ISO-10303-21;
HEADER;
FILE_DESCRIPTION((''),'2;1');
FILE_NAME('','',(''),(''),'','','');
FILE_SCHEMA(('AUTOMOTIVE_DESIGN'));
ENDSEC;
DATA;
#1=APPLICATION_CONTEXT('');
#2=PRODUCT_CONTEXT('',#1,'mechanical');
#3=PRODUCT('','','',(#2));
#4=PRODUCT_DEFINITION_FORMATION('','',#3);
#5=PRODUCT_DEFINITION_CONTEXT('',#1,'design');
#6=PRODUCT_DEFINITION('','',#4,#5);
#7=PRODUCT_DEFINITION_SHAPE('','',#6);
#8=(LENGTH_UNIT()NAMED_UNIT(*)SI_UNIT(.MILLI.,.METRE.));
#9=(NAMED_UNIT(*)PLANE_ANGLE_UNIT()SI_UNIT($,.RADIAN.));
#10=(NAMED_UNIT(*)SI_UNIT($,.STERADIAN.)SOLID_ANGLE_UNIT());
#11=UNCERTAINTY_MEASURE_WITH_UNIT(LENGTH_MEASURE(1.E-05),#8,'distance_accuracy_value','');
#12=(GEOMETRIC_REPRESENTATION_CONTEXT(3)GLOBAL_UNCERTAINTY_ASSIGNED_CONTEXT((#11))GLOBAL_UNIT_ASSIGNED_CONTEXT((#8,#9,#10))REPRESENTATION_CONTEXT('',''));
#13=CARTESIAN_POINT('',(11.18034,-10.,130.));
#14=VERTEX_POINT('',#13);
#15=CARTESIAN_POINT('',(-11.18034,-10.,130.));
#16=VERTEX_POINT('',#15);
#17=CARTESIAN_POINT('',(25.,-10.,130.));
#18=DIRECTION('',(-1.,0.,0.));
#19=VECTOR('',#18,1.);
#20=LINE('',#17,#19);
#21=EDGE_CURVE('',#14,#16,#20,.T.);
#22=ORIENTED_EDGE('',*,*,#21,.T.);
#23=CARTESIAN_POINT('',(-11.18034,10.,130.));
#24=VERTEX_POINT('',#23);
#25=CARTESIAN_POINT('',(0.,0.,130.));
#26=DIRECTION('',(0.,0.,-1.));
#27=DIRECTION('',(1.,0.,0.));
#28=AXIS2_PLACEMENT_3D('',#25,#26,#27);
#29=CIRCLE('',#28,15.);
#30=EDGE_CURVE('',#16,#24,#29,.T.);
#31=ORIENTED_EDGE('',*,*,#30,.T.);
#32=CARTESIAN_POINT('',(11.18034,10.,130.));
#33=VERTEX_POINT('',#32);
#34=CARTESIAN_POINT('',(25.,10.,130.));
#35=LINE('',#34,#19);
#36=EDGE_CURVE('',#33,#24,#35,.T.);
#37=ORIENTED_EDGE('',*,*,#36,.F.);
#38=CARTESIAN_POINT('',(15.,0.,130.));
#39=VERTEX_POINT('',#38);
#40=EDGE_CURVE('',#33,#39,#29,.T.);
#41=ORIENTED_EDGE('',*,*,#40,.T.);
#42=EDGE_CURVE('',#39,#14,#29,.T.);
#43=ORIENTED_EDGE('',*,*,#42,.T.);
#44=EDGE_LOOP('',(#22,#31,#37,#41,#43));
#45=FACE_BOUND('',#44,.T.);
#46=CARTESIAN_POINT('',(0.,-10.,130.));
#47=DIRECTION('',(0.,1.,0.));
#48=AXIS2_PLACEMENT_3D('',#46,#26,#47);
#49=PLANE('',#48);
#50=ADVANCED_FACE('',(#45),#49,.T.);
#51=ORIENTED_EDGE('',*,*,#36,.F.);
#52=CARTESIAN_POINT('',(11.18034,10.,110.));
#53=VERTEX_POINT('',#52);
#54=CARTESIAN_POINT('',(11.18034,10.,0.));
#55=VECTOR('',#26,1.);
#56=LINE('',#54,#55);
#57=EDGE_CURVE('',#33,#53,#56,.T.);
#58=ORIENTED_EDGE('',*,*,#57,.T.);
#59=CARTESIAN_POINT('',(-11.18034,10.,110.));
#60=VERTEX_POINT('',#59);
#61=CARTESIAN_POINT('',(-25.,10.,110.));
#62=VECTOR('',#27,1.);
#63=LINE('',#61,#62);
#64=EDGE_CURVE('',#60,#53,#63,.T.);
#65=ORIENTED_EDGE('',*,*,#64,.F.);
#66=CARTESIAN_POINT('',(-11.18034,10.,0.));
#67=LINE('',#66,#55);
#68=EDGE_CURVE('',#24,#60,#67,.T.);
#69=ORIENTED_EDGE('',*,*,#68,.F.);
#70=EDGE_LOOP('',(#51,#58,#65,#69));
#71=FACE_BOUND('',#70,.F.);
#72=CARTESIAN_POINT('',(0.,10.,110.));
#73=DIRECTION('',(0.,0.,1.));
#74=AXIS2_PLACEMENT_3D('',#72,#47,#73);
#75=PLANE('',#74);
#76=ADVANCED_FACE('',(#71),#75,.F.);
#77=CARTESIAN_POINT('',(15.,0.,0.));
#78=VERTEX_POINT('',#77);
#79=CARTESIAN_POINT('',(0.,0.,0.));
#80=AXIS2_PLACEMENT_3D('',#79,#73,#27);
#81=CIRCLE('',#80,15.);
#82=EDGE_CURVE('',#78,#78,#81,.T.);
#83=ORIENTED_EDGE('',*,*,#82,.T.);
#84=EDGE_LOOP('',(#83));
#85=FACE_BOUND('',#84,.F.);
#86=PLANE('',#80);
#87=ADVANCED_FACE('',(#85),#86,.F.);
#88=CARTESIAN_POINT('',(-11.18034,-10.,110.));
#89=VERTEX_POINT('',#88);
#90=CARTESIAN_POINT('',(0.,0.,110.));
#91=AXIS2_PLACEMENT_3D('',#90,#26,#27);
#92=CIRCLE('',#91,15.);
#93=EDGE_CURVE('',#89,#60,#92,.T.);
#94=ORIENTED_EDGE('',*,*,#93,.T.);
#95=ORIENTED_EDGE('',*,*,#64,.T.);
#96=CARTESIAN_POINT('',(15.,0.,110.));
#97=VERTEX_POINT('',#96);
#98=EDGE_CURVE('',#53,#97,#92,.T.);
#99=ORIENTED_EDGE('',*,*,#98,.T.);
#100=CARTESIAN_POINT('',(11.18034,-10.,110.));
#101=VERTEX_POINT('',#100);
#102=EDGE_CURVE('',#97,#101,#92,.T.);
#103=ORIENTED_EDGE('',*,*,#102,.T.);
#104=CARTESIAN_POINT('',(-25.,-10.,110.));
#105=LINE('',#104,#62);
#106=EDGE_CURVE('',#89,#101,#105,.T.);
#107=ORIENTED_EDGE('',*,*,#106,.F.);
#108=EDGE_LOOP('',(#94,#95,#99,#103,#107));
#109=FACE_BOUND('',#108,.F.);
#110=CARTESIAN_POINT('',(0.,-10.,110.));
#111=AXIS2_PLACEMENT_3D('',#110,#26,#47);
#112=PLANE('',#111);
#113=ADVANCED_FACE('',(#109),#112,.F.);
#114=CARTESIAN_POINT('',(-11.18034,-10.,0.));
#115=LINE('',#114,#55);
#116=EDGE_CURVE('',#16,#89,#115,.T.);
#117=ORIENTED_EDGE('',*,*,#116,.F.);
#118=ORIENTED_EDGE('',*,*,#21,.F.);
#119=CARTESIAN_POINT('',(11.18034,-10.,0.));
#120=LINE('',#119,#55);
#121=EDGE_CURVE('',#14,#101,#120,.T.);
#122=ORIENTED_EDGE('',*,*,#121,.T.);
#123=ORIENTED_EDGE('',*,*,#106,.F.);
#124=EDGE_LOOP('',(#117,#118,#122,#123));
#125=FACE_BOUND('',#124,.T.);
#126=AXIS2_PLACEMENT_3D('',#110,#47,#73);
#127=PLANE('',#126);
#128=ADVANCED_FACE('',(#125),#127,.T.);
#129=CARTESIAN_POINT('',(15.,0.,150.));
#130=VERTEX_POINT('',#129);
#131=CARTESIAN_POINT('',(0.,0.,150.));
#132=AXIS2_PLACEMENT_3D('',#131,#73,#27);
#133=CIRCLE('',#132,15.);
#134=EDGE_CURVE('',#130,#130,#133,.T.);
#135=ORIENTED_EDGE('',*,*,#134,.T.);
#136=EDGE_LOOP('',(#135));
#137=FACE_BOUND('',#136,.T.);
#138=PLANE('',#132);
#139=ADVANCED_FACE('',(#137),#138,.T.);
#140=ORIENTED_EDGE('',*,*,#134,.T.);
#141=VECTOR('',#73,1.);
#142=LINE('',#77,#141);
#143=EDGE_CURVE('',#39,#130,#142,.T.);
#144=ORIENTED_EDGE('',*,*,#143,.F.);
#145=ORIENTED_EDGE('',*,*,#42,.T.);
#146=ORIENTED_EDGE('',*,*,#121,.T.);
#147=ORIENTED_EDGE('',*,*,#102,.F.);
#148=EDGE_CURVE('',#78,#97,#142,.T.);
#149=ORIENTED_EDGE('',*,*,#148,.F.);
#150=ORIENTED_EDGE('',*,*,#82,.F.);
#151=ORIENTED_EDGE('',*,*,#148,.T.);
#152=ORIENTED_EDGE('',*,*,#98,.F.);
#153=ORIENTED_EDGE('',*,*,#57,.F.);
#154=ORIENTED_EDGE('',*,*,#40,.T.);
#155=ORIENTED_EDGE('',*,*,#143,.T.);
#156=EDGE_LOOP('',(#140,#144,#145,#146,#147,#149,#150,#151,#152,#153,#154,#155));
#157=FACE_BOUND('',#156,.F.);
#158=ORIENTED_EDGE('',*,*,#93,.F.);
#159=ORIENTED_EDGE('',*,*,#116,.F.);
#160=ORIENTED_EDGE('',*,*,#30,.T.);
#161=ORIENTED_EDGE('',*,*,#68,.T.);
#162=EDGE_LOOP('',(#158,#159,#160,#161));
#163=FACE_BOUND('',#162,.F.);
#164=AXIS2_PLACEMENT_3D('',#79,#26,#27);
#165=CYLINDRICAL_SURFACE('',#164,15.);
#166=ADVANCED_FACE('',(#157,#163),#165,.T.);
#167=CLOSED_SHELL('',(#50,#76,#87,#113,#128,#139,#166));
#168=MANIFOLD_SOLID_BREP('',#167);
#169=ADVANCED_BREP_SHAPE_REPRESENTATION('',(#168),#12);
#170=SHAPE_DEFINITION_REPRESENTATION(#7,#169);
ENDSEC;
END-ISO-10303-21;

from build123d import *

# Parameters (mm, degrees)
F0_R     = 15
F1_DEPTH = 150
F2_W     = 20
F2_H     = 20
F3_DEPTH = 25


with BuildPart() as f1:
    # F0 (on Top) → F1 (new body)
    with BuildSketch(Plane.XY):
        Circle(F0_R)
    extrude(amount=F1_DEPTH)

    # F2 (on Right) → F3 (cut, symmetric)
    with BuildSketch(Plane.YZ):
        with Locations((0, 120)):
            Rectangle(F2_W, F2_H)
    extrude(amount=F3_DEPTH, both=True, mode=Mode.SUBTRACT)


solid = f1.part
